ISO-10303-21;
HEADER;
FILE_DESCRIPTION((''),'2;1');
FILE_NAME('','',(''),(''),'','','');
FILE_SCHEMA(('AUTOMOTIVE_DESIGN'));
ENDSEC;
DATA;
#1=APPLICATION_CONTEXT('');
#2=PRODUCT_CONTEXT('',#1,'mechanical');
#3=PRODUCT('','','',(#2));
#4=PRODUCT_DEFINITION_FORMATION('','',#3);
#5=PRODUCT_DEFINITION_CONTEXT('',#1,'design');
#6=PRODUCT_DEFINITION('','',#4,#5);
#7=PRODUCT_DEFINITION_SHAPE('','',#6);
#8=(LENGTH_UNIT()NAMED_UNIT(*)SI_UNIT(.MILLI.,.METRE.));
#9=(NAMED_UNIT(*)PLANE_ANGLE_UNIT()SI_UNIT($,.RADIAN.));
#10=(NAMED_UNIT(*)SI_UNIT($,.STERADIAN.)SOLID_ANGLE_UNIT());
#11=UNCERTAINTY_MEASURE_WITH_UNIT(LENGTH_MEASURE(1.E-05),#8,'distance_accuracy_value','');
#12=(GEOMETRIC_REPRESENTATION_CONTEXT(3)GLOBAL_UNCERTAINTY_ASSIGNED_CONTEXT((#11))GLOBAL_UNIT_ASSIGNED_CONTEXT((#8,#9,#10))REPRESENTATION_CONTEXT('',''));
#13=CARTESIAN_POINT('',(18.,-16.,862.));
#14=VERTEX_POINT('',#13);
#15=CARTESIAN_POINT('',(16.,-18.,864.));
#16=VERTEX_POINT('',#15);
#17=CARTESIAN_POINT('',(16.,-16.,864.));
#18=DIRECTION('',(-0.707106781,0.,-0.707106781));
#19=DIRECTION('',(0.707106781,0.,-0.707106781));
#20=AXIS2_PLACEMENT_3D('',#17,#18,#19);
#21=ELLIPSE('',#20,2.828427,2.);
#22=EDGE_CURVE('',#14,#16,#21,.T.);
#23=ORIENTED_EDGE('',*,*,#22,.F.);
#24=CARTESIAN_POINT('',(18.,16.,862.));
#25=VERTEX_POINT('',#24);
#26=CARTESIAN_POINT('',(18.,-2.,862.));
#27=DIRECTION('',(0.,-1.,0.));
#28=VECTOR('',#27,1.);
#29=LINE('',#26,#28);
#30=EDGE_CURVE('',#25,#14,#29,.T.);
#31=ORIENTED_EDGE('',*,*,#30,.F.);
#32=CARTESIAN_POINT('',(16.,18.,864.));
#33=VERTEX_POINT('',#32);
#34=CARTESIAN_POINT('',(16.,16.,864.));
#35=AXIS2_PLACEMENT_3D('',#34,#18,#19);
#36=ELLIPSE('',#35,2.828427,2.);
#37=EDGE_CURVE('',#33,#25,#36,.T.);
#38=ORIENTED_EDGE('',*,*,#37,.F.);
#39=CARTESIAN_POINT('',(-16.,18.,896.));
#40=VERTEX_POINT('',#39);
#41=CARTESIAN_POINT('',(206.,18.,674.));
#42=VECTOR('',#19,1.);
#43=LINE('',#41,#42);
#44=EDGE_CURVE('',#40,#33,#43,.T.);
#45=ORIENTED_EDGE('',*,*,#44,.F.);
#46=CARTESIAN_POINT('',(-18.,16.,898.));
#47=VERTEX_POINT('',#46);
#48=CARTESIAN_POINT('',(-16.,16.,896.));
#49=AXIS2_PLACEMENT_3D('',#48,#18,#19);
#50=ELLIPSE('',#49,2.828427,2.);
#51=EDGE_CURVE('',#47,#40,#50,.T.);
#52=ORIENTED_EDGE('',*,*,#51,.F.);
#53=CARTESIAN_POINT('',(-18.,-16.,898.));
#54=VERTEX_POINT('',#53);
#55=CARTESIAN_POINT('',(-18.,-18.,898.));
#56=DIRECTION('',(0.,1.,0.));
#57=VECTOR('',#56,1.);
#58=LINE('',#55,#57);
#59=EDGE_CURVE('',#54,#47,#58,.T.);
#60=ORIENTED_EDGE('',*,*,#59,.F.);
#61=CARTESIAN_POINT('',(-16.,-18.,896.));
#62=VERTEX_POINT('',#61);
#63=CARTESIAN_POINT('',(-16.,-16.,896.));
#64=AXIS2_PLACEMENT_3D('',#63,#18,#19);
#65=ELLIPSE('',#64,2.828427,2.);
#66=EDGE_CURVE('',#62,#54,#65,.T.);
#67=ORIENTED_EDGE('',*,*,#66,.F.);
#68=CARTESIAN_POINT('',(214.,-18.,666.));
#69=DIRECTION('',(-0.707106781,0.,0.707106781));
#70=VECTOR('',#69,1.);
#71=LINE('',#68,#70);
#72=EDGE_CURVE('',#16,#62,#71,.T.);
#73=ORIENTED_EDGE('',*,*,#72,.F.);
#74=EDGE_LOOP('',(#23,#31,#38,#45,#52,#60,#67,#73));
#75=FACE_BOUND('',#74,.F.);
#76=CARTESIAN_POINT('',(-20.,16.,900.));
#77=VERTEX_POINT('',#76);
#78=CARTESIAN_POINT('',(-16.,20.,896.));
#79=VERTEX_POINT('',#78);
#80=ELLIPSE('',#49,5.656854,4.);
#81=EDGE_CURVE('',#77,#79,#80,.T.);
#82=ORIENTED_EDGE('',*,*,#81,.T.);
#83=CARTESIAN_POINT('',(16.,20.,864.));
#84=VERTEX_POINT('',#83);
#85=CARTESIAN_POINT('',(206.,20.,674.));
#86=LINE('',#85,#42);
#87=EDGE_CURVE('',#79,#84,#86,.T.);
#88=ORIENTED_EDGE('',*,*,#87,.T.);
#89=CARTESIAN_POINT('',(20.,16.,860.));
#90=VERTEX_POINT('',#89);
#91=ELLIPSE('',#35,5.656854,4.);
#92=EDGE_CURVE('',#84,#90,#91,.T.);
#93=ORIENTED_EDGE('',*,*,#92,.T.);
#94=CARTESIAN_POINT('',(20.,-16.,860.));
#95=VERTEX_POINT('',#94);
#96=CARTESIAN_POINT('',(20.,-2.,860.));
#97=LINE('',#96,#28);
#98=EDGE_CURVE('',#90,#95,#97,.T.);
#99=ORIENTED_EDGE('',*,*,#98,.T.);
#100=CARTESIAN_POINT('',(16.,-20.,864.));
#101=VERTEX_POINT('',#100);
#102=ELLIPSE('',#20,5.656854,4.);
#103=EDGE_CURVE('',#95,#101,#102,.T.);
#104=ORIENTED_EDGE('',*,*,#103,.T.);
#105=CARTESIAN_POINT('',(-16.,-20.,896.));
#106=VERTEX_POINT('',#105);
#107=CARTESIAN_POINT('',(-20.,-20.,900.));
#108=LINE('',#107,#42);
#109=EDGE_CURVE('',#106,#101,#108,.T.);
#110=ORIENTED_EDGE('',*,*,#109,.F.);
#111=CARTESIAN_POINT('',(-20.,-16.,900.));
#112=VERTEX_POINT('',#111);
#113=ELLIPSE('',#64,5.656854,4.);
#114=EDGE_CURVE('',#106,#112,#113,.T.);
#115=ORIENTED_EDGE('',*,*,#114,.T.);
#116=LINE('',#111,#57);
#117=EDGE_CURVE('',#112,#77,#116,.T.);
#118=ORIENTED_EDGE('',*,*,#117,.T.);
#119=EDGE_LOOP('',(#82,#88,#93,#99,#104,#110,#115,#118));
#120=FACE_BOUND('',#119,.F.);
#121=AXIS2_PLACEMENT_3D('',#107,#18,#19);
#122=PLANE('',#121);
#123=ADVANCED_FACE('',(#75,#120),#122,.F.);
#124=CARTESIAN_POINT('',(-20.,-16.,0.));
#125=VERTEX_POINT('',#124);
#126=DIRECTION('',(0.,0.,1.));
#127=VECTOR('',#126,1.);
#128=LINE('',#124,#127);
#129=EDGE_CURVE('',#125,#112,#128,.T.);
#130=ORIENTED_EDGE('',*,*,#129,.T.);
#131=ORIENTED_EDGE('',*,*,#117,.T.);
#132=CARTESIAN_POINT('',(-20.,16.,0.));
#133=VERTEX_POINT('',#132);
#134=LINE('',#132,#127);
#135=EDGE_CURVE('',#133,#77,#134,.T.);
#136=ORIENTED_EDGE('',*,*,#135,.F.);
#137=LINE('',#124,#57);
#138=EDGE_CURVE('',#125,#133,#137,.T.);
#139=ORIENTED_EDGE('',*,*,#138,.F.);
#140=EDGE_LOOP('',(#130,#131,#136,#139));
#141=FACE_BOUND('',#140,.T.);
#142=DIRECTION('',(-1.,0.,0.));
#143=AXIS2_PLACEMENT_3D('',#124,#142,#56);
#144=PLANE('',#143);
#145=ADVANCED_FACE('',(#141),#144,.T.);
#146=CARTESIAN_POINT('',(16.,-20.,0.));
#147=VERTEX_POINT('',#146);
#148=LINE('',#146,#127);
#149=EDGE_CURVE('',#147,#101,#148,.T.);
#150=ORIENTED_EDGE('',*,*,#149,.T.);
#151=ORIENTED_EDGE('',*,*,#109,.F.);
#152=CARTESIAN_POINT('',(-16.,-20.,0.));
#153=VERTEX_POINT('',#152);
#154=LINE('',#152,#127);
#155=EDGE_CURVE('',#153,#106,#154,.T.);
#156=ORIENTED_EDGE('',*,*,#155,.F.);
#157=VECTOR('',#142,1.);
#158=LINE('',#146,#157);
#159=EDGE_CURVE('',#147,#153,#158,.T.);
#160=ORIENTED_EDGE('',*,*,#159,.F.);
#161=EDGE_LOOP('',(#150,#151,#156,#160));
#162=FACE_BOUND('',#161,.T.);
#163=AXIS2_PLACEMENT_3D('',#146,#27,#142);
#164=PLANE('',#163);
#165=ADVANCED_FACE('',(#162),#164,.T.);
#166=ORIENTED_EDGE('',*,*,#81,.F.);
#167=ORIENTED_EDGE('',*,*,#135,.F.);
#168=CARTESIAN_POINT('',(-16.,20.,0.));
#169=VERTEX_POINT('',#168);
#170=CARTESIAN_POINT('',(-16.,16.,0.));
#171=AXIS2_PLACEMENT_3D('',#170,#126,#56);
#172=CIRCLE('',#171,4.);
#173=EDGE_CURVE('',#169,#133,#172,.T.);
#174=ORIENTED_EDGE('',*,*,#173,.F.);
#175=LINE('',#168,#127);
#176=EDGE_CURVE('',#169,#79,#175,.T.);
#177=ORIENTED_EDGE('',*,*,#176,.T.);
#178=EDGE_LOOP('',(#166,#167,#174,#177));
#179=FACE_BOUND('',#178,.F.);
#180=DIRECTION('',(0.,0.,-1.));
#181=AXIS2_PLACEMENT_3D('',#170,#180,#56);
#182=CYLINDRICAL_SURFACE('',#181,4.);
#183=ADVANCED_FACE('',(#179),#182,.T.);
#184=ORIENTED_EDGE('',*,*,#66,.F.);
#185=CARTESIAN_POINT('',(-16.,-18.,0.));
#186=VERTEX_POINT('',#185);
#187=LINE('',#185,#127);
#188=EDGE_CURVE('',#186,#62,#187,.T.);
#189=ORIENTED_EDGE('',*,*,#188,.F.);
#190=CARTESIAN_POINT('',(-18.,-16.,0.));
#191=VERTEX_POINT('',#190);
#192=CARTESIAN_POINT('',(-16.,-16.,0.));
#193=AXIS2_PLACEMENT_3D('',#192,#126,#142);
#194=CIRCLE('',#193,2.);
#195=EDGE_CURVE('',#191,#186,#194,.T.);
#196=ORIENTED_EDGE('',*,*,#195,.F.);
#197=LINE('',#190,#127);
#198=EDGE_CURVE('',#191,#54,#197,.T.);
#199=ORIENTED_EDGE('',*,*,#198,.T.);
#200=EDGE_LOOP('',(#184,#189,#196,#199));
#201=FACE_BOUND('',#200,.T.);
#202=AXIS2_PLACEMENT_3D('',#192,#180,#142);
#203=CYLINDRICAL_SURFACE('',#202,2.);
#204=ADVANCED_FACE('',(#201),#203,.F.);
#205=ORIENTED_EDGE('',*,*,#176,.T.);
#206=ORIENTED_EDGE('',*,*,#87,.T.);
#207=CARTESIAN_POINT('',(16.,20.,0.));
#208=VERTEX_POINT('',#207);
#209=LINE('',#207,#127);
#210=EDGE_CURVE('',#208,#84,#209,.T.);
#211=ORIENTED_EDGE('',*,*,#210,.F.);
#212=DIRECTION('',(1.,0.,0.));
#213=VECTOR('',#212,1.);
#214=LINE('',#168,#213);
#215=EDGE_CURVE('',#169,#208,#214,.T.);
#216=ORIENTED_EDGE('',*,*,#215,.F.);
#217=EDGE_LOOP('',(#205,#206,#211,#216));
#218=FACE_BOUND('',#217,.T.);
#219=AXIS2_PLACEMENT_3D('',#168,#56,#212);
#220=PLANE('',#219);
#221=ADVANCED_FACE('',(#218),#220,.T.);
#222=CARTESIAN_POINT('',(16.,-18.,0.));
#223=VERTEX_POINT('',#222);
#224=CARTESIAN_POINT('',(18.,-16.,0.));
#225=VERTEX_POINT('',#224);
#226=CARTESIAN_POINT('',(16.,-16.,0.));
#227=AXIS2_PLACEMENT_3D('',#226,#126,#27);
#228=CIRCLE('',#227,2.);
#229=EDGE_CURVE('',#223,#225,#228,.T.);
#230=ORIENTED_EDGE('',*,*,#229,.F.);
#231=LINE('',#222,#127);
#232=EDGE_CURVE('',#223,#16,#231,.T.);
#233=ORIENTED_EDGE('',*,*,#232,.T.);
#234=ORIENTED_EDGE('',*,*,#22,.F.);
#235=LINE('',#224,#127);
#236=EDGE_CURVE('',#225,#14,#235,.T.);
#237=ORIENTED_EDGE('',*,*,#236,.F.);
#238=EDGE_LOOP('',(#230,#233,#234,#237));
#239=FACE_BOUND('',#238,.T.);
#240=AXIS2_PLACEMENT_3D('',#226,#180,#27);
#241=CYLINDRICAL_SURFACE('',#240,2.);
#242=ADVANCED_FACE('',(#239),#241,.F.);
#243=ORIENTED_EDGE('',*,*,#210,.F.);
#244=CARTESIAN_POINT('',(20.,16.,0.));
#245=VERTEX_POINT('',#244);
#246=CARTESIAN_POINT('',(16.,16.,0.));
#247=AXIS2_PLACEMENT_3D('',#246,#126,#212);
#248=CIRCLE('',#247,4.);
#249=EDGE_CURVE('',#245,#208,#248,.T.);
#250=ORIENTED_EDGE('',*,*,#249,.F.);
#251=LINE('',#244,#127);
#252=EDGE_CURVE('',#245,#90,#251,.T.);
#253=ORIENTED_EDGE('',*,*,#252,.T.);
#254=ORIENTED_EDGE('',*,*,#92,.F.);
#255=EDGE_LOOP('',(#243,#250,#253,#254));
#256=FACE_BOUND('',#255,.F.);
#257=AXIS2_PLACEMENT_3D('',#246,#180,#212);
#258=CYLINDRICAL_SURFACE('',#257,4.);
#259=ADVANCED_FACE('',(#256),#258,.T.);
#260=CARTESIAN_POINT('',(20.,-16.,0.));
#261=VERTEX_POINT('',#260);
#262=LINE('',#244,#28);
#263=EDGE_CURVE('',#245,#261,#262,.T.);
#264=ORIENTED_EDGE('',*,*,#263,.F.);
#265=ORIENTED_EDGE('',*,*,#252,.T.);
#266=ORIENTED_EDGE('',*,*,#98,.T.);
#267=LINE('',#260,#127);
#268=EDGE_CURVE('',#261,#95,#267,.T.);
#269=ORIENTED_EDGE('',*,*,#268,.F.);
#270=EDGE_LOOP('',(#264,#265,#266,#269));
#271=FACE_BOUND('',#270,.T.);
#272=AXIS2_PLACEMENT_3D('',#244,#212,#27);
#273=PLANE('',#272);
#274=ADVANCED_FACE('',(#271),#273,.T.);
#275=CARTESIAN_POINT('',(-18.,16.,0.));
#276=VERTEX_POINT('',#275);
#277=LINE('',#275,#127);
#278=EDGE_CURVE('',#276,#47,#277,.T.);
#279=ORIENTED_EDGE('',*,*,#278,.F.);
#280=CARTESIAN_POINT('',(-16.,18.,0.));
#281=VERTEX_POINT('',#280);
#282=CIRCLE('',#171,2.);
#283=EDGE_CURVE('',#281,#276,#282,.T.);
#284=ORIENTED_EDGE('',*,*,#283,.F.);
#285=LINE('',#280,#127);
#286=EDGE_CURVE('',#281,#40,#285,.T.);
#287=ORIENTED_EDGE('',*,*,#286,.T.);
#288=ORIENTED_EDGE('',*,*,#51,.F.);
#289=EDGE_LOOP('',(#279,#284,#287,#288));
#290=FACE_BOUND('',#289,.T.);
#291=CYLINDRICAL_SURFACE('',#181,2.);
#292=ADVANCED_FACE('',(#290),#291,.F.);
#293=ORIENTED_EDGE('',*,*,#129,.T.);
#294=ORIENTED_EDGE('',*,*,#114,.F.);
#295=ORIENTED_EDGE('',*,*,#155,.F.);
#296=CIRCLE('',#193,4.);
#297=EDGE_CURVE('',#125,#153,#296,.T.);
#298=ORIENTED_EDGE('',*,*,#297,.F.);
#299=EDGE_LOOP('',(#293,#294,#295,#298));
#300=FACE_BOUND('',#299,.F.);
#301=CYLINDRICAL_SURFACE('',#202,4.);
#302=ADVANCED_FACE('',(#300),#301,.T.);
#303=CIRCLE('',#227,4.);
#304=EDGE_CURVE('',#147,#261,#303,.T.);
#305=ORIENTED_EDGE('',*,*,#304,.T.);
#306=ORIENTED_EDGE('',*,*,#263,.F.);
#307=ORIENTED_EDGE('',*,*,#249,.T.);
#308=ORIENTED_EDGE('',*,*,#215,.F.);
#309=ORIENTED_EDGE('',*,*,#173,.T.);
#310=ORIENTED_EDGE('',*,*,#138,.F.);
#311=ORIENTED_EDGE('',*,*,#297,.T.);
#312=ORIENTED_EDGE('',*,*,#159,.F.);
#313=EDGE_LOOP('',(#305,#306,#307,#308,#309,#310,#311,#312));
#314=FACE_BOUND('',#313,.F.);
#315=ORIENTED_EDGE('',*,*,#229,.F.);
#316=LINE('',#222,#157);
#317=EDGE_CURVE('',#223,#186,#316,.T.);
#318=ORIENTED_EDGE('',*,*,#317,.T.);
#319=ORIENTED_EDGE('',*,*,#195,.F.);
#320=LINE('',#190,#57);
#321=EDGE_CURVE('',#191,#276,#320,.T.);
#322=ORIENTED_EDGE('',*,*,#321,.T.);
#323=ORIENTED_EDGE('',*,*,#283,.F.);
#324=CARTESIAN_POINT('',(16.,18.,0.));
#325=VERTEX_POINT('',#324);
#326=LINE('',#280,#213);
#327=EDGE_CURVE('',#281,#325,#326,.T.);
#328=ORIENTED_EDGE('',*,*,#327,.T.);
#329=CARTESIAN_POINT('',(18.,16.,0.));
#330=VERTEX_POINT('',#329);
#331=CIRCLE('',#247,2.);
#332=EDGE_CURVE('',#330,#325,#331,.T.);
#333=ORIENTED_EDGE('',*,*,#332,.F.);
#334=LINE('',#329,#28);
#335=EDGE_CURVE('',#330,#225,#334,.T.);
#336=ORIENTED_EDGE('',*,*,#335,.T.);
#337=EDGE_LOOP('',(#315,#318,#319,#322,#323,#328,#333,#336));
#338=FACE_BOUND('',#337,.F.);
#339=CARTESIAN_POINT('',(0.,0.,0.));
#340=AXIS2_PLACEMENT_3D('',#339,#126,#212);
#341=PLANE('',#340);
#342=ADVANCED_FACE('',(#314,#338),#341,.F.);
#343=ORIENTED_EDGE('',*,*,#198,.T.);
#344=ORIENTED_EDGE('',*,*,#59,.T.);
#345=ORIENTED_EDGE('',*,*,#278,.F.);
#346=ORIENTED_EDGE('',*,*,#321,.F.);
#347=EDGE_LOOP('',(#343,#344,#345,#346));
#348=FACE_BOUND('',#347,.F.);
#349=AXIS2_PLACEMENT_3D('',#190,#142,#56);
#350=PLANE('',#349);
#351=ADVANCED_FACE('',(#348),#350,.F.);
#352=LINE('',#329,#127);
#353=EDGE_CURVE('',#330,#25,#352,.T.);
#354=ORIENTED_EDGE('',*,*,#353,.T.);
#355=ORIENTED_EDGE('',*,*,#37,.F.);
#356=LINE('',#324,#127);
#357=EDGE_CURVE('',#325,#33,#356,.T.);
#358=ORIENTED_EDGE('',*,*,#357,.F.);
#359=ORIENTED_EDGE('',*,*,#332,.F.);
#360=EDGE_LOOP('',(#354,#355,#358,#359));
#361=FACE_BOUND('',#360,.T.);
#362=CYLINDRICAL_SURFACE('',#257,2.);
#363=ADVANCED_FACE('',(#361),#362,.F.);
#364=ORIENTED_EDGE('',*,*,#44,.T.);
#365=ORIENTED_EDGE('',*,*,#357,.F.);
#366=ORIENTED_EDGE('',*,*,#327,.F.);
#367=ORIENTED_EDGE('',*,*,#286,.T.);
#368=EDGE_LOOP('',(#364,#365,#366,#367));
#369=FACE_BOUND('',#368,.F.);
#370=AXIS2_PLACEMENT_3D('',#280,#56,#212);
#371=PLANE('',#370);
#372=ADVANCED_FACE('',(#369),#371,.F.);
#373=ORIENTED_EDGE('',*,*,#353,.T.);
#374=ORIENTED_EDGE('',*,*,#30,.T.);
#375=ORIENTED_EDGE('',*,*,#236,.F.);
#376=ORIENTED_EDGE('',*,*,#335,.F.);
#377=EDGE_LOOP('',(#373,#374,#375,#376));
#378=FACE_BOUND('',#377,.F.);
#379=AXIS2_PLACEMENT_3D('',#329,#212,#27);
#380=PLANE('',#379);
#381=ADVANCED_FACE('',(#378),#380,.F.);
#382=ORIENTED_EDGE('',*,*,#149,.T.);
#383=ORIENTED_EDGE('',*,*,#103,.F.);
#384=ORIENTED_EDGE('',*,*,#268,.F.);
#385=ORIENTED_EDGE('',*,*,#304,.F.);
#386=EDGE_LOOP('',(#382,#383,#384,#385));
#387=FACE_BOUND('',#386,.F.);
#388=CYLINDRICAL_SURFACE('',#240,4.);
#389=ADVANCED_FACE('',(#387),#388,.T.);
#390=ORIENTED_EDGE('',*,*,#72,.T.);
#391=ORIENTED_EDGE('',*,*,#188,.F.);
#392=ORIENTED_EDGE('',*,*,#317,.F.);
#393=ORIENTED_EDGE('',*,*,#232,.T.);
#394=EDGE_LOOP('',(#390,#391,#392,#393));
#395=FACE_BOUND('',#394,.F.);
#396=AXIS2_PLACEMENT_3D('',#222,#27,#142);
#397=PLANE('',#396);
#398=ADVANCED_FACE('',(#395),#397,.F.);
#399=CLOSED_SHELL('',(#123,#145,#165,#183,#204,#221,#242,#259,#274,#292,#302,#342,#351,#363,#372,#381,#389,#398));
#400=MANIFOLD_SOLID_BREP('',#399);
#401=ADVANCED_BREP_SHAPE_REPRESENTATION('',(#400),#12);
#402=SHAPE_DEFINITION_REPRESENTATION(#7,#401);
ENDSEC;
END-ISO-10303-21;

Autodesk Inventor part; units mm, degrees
ref_plane "YZ Plane" through (0, 0, 0) normal (1, 0, 0) x (0, 1, 0)
ref_plane "Piano iniziale" through (0, 0, 0) normal (0, 0, 1) x (1, 0, 0)
ref_plane "Piano finale" through (0, 0, 900) normal (0, 0, 1) x (1, 0, 0)
sketch "Schizzo" plane through (0, 0, 0) normal (0, 0, 1) x (1, 0, 0)
  line L0 (-20, -16) -> (-20, 16)
  line L1 (-16, 20) -> (16, 20)
  line L2 (20, 16) -> (20, -16)
  line L3 (16, -20) -> (-16, -20)
  arc A0 (-20, -16) -> (-16, -20) centre (-16, -16) ccw
  arc A1 (20, 16) -> (16, 20) centre (16, 16) ccw
  arc A2 (-16, 20) -> (-20, 16) centre (-16, 16) ccw
  arc A3 (16, -20) -> (20, -16) centre (16, -16) ccw
  arc A4 (-16, 18) -> (-18, 16) centre (-16, 16) ccw
  line L4 (-16, 18) -> (16, 18)
  arc A5 (18, 16) -> (16, 18) centre (16, 16) ccw
  line L5 (18, 16) -> (18, -16)
  arc A6 (16, -18) -> (18, -16) centre (16, -16) ccw
  line L6 (16, -18) -> (-16, -18)
  arc A7 (-18, -16) -> (-16, -18) centre (-16, -16) ccw
  line L7 (-18, -16) -> (-18, 16)
  line L8 (0, 29.1598) -> (0, -29.1598) construction
  line L9 (-29.1598, 0) -> (29.1598, 0) construction
  dimension "d7" = 4
  dimension "d9" = 40
  dimension "d11" = 40
  dimension "d12" = 2
  dimension "d15" = 20
  dimension "d16" = 20
extrude "Corpo" add sketch "Schizzo" along normal up to surface (900 mm away) from surface at 0
sketch "Sketch3" plane through (0, 0, 0) normal (0, 0, 1) x (1, 0, 0)
  line L0 (0, 0) -> (10, 0)
ref_plane "Work Plane3" through (0, 0, 0) normal (0, -1, 0) x (1, 0, 0)
sketch "Sketch4" plane through (0, 0, 0) normal (0, -1, 0) x (1, 0, 0)
  line L0 (-2, 0) -> (12, 0)
  line L1 (-2, 900) -> (12, 900)
  dimension "d18" = 900
sketch "Schizzo5" plane through (-16, -20, 0) normal (0, -1, 0) x (1, 0, 0)
  line L0 (-4, 900) -> (0, 900) projected
  line L1 (-4, 900) -> (55.8259, 840.1741)
  line L2 (-4, 900) -> (80.6065, 900) construction
  line L3 (55.8259, 840.1741) -> (55.8259, 900)
  line L4 (55.8259, 900) -> (-4, 900)
  line L5 (0, 900) -> (32, 900) projected
  point P0 (16, 0)
  dimension "d19" = 45
extrude "Estrusione2" cut sketch "Schizzo5" against normal up to next
equation "\"d7\" = G_IR"
equation "\"d9\" = G_W"
equation "\"d11\" = G_H"
equation "\"d12\" = G_T"
equation "\"d15\" = 0.5 * d9"
equation "\"d16\" = 0.5 * d11"
equation "\"d3\" = G_L"
equation "\"G_W\" = 40"
equation "\"G_H\" = 40"
equation "\"G_T\" = 2"
equation "\"G_IR\" = 4"
equation "\"G_L\" = d18"
equation "\"G_OFFSET_START\" = 0"
equation "\"G_OFFSET_END\" = 0"
properties part number "ISO 10799-2 - 40x40x2 - 1000" material "Acciaio, Dolce"
